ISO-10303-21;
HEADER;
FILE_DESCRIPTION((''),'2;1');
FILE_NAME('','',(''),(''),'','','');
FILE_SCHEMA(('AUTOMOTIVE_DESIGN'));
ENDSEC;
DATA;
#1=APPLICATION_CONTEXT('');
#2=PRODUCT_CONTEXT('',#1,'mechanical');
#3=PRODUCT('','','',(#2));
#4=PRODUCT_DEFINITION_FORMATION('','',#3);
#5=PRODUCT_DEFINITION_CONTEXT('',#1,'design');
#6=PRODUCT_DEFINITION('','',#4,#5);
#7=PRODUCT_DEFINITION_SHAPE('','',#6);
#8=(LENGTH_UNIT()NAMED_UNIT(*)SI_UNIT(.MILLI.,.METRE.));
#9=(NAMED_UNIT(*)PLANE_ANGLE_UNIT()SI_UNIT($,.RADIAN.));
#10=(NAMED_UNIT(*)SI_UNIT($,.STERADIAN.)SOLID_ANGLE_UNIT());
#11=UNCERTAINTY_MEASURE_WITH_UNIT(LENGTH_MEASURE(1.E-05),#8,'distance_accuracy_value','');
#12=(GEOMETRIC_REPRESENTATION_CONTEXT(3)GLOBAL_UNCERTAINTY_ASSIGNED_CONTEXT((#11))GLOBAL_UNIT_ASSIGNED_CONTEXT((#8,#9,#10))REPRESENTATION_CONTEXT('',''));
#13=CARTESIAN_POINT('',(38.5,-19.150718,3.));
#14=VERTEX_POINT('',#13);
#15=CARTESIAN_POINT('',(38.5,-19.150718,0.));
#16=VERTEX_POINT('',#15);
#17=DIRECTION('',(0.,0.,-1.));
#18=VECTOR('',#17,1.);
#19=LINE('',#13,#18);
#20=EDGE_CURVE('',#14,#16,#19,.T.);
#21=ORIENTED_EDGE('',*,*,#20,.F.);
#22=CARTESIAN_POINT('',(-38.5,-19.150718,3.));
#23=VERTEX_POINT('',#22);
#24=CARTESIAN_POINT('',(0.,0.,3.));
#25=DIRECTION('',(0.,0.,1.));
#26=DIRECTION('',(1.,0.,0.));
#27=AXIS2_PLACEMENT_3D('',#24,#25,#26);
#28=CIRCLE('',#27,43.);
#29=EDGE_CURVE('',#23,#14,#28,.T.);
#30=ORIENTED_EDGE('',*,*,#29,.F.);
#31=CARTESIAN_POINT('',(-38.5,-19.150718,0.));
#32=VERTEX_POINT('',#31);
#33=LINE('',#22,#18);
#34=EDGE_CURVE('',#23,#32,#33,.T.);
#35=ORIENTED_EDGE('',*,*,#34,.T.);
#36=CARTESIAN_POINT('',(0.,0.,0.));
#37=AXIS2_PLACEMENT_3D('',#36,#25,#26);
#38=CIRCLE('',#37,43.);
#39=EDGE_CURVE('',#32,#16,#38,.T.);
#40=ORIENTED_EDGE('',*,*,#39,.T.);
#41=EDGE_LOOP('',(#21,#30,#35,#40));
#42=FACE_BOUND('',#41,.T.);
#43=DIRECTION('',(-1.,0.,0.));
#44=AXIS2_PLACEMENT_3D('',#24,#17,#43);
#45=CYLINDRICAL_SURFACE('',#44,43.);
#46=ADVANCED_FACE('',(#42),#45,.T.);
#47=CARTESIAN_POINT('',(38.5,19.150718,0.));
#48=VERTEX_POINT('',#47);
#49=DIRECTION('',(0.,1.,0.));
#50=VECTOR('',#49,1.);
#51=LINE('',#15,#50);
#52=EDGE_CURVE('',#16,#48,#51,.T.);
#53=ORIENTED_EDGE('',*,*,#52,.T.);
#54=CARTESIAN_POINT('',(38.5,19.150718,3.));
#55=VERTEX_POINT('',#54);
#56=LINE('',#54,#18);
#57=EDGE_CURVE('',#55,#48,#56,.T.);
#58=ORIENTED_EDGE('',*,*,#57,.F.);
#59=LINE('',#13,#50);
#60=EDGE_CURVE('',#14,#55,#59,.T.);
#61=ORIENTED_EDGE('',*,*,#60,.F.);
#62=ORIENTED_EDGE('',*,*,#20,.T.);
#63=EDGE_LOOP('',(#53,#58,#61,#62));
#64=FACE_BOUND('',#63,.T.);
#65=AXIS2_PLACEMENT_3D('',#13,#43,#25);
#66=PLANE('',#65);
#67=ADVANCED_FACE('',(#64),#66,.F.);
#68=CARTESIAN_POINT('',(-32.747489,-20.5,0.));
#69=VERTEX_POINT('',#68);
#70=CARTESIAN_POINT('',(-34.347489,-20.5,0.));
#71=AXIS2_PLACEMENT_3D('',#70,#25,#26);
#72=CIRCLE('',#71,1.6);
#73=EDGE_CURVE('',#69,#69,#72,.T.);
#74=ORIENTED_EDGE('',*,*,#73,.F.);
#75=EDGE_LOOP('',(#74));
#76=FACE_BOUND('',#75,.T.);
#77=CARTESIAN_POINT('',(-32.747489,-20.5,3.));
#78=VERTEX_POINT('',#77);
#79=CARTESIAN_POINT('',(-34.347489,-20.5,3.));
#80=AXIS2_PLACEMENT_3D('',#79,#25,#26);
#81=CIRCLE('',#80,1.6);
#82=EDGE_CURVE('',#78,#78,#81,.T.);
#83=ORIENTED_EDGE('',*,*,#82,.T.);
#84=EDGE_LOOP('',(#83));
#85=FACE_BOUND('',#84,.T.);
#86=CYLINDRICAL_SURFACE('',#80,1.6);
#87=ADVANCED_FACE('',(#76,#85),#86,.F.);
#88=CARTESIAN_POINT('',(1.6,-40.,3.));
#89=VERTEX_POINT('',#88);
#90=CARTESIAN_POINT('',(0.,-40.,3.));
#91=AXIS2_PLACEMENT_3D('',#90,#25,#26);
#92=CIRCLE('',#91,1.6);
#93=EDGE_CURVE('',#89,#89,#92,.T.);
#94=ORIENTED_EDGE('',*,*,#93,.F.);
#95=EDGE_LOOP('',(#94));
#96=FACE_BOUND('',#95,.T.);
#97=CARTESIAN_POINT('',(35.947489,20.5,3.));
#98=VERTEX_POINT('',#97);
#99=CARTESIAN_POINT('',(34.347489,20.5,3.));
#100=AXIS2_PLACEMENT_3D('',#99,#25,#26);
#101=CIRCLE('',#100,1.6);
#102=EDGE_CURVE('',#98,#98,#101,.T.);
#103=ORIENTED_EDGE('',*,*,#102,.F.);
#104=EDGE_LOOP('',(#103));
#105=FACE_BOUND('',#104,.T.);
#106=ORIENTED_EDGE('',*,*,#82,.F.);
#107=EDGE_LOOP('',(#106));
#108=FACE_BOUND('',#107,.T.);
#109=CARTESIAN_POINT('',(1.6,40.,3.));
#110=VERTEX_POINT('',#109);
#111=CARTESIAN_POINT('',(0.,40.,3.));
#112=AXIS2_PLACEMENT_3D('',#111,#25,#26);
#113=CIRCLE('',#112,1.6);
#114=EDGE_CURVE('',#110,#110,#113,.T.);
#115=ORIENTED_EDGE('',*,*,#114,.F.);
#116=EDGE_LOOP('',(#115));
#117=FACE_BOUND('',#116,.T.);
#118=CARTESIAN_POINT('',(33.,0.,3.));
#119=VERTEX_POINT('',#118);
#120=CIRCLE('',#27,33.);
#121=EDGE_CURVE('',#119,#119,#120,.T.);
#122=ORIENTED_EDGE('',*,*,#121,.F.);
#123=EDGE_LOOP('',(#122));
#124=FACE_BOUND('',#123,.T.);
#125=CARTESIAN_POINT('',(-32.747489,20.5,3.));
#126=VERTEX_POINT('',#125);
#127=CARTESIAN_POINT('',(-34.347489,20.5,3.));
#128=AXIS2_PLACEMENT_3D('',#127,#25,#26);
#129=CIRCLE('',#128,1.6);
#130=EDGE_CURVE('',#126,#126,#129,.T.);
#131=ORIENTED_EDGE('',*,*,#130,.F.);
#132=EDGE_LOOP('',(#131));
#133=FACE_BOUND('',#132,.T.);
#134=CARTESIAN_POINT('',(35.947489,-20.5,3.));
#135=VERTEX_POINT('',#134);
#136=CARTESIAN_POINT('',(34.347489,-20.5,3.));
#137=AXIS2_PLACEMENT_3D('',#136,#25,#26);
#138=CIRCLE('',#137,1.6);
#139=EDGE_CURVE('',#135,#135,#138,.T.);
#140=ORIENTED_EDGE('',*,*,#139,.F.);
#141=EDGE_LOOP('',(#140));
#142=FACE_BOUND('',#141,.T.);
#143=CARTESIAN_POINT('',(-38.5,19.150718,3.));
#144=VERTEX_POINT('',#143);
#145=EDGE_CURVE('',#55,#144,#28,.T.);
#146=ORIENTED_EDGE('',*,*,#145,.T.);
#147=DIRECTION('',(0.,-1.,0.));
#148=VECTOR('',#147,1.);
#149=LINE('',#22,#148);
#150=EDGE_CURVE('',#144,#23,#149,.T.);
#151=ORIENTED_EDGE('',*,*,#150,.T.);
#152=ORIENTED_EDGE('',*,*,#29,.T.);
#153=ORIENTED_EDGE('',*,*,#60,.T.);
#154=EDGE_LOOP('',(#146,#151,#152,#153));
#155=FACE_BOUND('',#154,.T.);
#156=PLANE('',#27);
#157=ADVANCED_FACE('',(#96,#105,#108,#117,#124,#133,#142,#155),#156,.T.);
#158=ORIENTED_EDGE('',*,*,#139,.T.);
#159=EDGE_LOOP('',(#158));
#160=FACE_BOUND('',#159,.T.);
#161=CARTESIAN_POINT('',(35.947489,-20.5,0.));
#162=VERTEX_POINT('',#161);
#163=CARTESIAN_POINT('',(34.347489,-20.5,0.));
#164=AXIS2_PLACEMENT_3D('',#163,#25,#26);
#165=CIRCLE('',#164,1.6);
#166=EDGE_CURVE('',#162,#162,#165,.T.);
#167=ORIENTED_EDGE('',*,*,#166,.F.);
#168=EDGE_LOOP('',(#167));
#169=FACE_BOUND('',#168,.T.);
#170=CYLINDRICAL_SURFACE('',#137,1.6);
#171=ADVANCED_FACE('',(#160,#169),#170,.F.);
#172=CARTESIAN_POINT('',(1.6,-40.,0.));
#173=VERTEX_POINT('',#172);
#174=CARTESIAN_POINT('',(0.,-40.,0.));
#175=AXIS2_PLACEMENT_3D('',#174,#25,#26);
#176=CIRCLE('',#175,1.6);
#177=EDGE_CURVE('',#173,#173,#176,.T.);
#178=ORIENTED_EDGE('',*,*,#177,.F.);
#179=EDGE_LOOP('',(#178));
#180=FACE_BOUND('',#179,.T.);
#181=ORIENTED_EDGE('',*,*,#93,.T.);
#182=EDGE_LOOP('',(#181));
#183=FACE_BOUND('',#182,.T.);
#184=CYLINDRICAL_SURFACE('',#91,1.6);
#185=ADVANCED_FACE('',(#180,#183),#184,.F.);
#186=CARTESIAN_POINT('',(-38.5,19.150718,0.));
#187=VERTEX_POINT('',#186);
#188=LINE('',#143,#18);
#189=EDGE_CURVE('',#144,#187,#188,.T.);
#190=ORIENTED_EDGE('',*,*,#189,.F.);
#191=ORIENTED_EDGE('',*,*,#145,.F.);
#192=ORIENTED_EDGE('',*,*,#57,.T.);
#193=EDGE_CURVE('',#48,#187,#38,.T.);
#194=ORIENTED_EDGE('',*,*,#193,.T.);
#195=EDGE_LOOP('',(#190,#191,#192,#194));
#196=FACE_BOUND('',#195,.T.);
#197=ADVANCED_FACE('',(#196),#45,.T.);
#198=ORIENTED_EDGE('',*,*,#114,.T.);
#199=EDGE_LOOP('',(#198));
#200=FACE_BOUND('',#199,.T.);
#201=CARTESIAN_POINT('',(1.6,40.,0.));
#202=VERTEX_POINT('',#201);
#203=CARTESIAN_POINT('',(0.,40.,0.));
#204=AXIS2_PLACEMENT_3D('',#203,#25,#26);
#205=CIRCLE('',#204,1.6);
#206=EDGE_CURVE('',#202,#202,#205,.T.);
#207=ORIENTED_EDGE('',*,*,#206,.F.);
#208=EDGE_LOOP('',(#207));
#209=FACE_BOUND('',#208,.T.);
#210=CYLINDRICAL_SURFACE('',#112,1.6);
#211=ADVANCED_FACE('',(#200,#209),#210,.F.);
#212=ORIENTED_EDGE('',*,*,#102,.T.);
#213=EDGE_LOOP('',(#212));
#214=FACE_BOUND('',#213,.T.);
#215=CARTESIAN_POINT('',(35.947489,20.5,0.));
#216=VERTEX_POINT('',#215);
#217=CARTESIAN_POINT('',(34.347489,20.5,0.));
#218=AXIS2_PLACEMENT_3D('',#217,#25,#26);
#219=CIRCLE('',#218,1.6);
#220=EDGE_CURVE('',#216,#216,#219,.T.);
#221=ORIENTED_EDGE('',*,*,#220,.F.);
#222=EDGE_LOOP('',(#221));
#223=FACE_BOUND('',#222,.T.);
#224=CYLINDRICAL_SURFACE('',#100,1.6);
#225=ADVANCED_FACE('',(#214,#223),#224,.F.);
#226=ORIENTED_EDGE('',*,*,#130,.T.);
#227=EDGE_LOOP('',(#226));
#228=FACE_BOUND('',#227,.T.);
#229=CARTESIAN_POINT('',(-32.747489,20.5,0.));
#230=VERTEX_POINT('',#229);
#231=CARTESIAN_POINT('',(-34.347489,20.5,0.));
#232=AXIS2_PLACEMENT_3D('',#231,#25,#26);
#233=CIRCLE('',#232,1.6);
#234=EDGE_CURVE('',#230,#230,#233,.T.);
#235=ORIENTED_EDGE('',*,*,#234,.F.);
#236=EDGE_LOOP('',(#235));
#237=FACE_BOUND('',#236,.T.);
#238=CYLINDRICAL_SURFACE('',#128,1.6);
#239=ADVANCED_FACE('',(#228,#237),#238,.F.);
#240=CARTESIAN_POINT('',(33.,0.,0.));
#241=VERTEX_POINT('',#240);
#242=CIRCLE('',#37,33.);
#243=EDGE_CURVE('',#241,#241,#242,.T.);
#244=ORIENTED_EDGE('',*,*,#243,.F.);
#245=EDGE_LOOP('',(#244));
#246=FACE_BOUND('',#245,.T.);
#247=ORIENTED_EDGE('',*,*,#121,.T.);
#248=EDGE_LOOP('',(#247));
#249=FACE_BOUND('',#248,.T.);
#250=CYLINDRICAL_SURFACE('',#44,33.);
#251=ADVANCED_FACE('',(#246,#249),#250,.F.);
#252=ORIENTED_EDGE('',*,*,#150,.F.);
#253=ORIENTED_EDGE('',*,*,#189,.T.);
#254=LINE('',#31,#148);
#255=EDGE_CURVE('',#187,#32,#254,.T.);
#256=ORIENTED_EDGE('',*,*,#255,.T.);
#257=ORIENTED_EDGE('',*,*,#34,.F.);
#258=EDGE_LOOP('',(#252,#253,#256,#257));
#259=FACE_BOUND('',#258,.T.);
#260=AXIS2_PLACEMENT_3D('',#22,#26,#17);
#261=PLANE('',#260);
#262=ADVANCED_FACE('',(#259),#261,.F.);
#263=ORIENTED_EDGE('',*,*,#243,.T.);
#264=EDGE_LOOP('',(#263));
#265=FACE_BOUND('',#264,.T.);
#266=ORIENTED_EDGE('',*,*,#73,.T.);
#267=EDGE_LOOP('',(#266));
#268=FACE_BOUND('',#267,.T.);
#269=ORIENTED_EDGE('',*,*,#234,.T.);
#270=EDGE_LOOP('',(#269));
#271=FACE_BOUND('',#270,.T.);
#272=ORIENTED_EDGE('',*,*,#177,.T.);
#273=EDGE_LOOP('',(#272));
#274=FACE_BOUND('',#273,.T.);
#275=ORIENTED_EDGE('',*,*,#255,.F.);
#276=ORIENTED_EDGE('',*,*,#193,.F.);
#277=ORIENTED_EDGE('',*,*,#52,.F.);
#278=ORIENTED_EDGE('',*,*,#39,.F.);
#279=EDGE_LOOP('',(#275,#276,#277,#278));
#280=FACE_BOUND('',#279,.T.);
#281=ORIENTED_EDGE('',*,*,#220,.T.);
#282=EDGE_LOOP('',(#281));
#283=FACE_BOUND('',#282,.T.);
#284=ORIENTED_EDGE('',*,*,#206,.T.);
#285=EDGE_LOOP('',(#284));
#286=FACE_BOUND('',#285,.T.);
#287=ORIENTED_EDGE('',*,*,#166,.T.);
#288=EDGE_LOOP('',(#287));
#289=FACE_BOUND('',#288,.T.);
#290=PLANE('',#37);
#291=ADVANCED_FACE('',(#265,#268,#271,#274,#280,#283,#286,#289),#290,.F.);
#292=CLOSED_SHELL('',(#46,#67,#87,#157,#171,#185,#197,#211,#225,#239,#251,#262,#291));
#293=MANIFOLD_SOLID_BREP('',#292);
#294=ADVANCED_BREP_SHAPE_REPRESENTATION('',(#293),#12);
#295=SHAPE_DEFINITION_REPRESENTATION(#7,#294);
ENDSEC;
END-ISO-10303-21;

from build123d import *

# Parameters (mm, degrees)
SKIZZE1_R                        = 33
AUFSATZ_LINEAR_AUSTRAGEN1_DEPTH  = 3
F_3_2_3_2_DURCHMESSER_BOHRUNG1_D = 3.2


with BuildPart() as part:
    # Skizze1 → Aufsatz-Linear austragen1 (new body)
    with BuildSketch(Plane.XY):
        with BuildLine():
            Line((-38.5, -19.150718002), (-38.5, 19.150718002))
            ThreePointArc((-38.5, 19.150718002), (0, 43), (38.5, 19.150718002))
            Line((38.5, 19.150718002), (38.5, -19.150718002))
            ThreePointArc((38.5, -19.150718002), (0, -43), (-38.5, -19.150718002))
        make_face()
        Circle(SKIZZE1_R, mode=Mode.SUBTRACT)
    extrude(amount=AUFSATZ_LINEAR_AUSTRAGEN1_DEPTH)

    # Ø3.2 (3.2) Durchmesser Bohrung1 (through all)
    with Locations(Plane.XY.offset(3)):
        with Locations((-34.347488991, 20.5), (0, 40), (0, -40), (34.347488991, -20.5), (34.347488991, 20.5), (-34.347488991, -20.5)):
            Hole(F_3_2_3_2_DURCHMESSER_BOHRUNG1_D / 2)


solid = part.part
